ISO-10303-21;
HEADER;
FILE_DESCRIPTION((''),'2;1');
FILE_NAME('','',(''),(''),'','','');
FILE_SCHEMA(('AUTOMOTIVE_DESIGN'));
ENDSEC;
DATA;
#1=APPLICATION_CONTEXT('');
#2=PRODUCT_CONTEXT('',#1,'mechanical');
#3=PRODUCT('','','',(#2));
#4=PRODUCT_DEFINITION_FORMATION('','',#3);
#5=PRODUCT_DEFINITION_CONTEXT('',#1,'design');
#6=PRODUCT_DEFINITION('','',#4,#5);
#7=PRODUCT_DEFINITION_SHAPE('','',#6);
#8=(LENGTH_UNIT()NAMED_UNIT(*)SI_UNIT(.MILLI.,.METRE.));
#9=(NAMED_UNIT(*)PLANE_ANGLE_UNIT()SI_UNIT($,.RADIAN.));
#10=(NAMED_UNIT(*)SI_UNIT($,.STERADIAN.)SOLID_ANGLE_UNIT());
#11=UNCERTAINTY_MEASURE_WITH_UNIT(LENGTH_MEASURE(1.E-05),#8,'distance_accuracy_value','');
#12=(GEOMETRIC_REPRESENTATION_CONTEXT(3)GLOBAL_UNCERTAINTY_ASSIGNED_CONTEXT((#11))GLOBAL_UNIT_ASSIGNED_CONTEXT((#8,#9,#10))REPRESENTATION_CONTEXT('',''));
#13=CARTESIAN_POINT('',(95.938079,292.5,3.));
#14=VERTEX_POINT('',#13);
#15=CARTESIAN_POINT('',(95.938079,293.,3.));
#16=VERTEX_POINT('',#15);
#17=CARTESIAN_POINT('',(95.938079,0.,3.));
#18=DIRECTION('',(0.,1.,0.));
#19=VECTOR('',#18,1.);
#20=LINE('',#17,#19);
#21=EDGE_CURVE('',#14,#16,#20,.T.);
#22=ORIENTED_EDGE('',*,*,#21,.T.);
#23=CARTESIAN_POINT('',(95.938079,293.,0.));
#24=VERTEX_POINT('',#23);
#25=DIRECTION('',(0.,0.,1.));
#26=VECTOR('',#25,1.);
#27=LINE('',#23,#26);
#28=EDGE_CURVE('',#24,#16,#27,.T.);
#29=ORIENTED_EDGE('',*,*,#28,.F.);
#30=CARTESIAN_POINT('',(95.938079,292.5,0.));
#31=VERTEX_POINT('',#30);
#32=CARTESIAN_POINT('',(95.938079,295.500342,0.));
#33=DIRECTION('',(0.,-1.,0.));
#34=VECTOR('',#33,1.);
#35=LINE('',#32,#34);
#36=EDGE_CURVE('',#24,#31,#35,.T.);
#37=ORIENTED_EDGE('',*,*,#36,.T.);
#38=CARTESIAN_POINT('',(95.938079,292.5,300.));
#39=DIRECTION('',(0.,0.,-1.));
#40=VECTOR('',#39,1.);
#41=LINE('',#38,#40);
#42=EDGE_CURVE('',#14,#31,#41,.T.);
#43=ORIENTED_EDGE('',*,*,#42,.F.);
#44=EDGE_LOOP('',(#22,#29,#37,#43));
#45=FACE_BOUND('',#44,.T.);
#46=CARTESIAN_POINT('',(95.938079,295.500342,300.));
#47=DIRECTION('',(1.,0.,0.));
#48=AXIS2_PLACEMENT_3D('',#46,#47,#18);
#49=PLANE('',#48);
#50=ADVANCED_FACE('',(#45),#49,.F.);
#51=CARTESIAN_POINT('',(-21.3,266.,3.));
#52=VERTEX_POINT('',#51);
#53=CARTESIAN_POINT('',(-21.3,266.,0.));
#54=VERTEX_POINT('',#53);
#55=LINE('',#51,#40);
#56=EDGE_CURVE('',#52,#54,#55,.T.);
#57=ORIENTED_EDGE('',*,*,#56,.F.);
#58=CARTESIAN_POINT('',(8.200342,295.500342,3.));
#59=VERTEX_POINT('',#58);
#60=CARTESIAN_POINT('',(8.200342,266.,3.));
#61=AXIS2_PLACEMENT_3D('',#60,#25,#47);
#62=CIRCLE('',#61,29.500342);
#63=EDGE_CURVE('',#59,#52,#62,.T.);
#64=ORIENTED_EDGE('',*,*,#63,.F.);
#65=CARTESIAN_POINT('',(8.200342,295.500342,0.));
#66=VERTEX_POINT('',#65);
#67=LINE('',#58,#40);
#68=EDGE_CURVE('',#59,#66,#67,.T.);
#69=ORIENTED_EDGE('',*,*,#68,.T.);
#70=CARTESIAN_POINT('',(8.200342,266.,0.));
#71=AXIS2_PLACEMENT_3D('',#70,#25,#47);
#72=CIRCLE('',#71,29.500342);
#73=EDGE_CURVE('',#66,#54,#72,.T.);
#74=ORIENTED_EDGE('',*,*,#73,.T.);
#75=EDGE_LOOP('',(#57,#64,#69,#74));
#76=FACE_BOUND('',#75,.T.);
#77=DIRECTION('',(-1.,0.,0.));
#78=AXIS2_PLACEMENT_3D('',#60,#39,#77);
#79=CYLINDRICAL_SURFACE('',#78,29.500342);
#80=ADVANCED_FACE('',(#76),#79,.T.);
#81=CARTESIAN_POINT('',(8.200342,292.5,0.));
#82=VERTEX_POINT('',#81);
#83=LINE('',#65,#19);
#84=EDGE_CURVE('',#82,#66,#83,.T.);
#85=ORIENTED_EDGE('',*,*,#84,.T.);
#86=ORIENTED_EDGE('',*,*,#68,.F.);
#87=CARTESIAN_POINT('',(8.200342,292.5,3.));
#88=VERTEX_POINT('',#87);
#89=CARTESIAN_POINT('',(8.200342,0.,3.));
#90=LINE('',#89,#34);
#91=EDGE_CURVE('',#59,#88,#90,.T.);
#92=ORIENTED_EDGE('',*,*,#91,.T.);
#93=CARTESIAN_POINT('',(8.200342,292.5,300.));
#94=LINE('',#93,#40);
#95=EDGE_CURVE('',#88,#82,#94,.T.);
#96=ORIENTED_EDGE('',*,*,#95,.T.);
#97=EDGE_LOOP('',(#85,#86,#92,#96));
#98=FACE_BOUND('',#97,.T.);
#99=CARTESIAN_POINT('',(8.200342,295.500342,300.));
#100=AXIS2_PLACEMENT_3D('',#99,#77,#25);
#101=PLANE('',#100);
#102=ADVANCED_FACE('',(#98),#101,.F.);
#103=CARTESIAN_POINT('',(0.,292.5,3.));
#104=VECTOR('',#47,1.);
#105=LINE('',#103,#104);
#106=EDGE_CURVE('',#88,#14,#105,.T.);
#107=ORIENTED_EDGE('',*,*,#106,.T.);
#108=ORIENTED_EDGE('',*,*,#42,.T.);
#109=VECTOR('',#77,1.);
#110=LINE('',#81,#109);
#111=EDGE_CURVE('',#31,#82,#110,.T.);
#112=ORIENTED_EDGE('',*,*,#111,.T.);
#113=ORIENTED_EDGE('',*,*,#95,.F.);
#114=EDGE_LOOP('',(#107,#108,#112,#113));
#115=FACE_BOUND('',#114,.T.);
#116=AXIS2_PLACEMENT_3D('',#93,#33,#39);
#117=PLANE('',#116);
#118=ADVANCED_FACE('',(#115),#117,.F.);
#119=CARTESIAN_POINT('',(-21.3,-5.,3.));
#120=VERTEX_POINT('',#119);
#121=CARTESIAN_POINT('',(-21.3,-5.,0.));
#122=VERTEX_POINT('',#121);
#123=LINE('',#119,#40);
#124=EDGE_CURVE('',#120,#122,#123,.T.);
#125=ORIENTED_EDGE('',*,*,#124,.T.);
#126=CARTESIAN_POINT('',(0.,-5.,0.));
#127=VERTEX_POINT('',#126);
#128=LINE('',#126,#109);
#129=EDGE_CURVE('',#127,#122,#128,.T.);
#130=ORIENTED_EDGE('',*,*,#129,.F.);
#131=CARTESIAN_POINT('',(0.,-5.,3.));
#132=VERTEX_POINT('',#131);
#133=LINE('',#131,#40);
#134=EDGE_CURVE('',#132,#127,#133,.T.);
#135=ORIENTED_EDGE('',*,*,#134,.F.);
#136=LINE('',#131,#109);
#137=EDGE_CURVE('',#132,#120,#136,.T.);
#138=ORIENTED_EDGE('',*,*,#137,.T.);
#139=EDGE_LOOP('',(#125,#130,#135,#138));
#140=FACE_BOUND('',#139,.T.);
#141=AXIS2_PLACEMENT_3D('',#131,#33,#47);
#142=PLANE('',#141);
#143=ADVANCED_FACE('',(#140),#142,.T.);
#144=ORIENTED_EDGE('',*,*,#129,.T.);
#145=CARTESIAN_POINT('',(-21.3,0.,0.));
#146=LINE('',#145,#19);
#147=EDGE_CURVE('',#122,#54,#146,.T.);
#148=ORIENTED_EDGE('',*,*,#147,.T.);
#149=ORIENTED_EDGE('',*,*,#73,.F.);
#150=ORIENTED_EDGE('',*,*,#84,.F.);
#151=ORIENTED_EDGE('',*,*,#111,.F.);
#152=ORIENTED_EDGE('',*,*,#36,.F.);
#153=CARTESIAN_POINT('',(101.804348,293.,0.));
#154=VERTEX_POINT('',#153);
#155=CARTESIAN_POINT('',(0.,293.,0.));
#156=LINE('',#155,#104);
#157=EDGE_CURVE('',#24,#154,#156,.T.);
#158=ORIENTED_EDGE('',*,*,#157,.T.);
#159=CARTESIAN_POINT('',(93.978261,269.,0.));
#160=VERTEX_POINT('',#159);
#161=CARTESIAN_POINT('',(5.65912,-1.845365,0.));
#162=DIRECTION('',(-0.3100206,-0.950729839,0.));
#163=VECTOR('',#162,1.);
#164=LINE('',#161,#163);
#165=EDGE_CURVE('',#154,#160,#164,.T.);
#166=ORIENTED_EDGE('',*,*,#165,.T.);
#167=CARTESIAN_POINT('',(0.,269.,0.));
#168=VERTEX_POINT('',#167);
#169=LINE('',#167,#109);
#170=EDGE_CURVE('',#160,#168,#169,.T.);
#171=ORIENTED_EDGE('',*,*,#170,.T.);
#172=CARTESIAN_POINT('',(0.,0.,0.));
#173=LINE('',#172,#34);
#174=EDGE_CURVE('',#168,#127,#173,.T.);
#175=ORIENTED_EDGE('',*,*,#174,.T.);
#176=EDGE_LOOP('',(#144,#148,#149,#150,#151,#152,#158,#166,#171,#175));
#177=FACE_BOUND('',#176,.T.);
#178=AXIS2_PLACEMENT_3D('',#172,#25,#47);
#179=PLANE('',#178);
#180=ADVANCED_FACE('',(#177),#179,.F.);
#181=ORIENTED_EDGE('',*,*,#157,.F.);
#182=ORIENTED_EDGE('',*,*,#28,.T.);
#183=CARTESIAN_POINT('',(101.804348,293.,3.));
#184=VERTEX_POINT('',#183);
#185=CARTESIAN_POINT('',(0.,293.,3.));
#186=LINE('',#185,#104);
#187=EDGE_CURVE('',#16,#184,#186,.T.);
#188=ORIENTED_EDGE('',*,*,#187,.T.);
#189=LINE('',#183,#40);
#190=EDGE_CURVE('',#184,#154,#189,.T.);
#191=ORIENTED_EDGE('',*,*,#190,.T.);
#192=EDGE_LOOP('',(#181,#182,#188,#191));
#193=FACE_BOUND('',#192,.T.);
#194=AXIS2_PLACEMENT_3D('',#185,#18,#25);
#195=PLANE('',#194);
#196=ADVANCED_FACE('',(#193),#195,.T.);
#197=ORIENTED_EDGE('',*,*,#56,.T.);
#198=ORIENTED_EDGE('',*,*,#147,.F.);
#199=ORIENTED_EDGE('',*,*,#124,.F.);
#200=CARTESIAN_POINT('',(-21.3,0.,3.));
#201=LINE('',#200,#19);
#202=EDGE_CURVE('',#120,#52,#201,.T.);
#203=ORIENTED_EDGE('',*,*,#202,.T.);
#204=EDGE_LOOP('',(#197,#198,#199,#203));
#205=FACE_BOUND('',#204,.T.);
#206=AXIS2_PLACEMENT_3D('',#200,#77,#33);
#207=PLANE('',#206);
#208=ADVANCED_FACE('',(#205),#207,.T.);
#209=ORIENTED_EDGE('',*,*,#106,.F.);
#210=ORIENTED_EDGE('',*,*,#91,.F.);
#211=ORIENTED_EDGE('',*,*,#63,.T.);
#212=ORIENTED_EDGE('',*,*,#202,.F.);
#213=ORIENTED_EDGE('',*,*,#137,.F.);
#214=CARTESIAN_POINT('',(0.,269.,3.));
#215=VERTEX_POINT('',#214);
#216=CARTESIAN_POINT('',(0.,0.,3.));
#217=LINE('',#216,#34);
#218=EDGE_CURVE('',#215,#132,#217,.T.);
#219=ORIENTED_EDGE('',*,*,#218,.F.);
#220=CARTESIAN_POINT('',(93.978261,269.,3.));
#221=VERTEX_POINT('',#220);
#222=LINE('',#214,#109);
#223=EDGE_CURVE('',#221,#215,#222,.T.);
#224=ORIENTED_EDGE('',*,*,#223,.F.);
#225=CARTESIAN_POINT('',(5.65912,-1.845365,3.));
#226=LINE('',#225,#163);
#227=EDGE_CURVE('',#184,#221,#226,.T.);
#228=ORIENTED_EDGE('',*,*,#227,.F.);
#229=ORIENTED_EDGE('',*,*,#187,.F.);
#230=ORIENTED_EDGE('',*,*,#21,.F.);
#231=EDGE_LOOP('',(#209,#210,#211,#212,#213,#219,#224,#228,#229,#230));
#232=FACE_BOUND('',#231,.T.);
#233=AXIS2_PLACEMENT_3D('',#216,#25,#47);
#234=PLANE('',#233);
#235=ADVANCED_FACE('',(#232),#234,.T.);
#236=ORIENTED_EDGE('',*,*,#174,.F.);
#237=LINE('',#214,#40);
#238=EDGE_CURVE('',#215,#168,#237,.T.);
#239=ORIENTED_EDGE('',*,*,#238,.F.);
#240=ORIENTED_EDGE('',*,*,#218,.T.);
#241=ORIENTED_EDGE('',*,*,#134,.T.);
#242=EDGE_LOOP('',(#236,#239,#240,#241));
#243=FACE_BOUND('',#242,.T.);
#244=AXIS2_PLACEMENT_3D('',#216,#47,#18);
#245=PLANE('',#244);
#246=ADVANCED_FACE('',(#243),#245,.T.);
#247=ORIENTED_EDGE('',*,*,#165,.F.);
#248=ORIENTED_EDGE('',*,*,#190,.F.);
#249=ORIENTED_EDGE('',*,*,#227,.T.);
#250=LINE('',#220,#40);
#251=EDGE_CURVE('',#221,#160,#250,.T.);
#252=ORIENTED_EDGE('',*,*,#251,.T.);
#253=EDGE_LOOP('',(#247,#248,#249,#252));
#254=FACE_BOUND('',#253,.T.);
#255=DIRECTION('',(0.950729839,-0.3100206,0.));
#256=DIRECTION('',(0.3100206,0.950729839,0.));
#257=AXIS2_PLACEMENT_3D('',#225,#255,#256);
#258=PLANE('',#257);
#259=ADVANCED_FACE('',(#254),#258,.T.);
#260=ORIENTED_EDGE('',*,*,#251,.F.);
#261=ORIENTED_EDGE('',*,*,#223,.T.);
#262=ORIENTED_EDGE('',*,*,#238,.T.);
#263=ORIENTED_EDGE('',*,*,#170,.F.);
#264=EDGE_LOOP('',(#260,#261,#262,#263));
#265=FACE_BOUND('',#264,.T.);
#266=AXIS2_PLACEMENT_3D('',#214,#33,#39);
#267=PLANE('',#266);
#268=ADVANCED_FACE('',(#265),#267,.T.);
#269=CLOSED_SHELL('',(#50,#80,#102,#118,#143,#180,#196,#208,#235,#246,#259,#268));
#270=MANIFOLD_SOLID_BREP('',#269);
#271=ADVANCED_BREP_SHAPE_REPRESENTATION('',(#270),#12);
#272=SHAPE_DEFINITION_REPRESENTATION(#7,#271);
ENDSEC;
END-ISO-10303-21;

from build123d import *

# Parameters (mm, degrees)
BOSS_EXTRUDE1_DEPTH = 3
BOSS_EXTRUDE2_DEPTH = 3
SKETCH3_W           = 87.73773678
SKETCH3_H           = 3.000342445
CUT_EXTRUDE1_DEPTH  = 300


with BuildPart() as part:
    # Sketch1 → Boss-Extrude1 (new body)
    with BuildSketch(Plane.XY):
        with BuildLine():
            Line((93.97826087, 269), (101.804347826, 293))
            Line((101.804347826, 293), (20.086056782, 293))
            ThreePointArc((20.086056782, 293), (-7.9185527, 290.707315192), (-21.3, 266))
            Line((-21.3, 266), (-21.3, -5))
            Line((-21.3, -5), (0, -5))
            Line((0, -5), (0, 269))
            Line((0, 269), (93.97826087, 269))
        make_face()
    extrude(amount=BOSS_EXTRUDE1_DEPTH)

    # Sketch2 → Boss-Extrude2 (add)
    with BuildSketch(Plane.XY.offset(3)):
        Polygon((8.199539928, 295.500342445), (95.938079236, 295.500342445), (95.938079236, 293), (8.804994825, 293), align=None)
    extrude(amount=-BOSS_EXTRUDE2_DEPTH)

    # Sketch3 → Cut-Extrude1 (cut)
    with BuildSketch(Plane(origin=(0, 0, 0), x_dir=(-1, 0, 0), z_dir=(0, 0, -1))):
        with Locations((-52.069210846, 294.000171223)):
            Rectangle(SKETCH3_W, SKETCH3_H)
    extrude(amount=-CUT_EXTRUDE1_DEPTH, mode=Mode.SUBTRACT)


solid = part.part
